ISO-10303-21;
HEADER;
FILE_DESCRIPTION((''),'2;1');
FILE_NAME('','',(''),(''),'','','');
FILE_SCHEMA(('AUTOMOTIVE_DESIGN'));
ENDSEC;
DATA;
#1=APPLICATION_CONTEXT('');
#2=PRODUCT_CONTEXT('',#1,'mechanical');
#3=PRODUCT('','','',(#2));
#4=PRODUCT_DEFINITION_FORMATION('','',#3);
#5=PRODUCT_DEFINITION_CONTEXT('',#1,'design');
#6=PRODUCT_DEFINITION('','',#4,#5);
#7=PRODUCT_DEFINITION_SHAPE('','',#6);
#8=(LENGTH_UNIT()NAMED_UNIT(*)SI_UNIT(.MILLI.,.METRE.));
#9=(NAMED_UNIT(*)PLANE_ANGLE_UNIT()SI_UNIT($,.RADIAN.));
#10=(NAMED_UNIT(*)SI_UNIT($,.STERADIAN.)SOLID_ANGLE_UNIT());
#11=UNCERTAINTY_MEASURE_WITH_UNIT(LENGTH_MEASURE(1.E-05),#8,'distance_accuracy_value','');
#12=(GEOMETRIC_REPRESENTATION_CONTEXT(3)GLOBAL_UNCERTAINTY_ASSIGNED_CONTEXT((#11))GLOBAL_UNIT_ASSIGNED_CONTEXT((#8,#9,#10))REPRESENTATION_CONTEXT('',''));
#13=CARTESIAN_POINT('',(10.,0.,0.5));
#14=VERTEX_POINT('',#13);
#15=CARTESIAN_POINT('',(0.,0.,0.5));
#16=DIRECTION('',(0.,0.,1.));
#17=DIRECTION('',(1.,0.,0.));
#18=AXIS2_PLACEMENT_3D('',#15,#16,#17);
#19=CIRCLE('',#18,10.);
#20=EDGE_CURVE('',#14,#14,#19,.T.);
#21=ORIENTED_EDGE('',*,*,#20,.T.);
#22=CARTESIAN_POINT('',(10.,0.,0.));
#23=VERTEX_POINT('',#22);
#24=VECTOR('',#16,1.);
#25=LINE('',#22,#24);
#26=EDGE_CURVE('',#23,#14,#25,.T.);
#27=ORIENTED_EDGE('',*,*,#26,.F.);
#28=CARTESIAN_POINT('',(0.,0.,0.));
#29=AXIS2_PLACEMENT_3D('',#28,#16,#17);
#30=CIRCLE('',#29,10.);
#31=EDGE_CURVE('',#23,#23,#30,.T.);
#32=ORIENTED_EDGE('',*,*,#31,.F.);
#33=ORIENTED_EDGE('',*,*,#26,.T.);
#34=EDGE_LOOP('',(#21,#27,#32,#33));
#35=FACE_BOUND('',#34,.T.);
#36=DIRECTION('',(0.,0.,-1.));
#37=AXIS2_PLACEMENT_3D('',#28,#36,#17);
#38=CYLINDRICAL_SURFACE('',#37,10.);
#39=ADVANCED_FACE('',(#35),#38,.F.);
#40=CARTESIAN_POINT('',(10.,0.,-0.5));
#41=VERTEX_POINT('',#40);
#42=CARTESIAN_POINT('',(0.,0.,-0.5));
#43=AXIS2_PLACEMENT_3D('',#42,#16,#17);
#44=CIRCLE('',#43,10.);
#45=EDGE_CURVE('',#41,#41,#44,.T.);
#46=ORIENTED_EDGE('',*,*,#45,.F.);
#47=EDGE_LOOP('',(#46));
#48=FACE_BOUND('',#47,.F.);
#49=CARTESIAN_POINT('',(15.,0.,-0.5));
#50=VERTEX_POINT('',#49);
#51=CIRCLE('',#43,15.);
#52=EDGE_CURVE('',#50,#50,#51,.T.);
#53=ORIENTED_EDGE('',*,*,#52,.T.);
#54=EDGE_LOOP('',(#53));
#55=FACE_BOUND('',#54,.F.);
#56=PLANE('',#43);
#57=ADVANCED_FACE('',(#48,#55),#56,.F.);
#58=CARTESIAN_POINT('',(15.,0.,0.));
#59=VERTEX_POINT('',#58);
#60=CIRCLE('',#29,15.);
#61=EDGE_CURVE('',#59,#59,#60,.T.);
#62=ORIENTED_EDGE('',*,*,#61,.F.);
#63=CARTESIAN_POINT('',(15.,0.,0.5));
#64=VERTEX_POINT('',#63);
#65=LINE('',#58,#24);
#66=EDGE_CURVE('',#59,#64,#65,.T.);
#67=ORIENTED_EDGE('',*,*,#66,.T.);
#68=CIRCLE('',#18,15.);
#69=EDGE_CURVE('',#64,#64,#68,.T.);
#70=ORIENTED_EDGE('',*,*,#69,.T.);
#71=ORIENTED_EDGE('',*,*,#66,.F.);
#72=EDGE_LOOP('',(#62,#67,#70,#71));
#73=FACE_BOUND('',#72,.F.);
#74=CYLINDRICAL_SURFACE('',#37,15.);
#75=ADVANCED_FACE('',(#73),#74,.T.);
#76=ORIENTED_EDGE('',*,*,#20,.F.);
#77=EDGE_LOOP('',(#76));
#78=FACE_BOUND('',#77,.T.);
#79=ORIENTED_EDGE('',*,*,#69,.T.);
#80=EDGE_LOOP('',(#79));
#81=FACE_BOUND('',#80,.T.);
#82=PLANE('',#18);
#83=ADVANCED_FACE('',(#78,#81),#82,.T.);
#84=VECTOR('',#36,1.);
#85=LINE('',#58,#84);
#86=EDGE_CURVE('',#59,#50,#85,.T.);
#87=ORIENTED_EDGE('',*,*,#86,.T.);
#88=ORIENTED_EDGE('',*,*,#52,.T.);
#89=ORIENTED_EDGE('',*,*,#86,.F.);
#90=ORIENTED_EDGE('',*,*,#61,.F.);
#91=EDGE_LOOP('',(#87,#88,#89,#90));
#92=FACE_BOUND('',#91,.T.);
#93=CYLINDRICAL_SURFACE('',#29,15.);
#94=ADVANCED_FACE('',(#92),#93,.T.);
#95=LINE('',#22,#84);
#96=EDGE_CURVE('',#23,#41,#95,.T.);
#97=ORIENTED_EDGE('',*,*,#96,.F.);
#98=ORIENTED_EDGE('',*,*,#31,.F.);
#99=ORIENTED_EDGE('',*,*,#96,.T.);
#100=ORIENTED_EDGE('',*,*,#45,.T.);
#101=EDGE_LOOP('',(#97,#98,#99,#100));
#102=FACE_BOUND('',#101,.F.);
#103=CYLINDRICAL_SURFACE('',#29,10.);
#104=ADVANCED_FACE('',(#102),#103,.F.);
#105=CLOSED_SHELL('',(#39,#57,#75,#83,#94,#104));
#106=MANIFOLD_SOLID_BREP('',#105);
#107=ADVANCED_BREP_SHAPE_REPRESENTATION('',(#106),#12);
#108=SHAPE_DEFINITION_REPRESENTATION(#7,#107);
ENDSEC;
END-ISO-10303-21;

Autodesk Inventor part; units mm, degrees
ref_plane "YZ Plane" through (0, 0, 0) normal (1, 0, 0) x (0, 1, 0)
ref_plane "XZ Plane" through (0, 0, 0) normal (0, 1, 0) x (-1, 0, 0)
ref_plane "XY Plane" through (0, 0, 0) normal (0, 0, 1) x (1, 0, 0)
sketch "Sketch1" plane through (0, 0, 0) normal (0, 0, 1) x (1, 0, 0)
  circle A0 centre (0, 0) radius 15
  circle A1 centre (0, 0) radius 10
  dimension "d0" = 30
  dimension "d1" = 20
extrude "Extrusion1" add sketch "Sketch1" along normal mid plane 1
properties part number "Sicherung" material "Gold"
